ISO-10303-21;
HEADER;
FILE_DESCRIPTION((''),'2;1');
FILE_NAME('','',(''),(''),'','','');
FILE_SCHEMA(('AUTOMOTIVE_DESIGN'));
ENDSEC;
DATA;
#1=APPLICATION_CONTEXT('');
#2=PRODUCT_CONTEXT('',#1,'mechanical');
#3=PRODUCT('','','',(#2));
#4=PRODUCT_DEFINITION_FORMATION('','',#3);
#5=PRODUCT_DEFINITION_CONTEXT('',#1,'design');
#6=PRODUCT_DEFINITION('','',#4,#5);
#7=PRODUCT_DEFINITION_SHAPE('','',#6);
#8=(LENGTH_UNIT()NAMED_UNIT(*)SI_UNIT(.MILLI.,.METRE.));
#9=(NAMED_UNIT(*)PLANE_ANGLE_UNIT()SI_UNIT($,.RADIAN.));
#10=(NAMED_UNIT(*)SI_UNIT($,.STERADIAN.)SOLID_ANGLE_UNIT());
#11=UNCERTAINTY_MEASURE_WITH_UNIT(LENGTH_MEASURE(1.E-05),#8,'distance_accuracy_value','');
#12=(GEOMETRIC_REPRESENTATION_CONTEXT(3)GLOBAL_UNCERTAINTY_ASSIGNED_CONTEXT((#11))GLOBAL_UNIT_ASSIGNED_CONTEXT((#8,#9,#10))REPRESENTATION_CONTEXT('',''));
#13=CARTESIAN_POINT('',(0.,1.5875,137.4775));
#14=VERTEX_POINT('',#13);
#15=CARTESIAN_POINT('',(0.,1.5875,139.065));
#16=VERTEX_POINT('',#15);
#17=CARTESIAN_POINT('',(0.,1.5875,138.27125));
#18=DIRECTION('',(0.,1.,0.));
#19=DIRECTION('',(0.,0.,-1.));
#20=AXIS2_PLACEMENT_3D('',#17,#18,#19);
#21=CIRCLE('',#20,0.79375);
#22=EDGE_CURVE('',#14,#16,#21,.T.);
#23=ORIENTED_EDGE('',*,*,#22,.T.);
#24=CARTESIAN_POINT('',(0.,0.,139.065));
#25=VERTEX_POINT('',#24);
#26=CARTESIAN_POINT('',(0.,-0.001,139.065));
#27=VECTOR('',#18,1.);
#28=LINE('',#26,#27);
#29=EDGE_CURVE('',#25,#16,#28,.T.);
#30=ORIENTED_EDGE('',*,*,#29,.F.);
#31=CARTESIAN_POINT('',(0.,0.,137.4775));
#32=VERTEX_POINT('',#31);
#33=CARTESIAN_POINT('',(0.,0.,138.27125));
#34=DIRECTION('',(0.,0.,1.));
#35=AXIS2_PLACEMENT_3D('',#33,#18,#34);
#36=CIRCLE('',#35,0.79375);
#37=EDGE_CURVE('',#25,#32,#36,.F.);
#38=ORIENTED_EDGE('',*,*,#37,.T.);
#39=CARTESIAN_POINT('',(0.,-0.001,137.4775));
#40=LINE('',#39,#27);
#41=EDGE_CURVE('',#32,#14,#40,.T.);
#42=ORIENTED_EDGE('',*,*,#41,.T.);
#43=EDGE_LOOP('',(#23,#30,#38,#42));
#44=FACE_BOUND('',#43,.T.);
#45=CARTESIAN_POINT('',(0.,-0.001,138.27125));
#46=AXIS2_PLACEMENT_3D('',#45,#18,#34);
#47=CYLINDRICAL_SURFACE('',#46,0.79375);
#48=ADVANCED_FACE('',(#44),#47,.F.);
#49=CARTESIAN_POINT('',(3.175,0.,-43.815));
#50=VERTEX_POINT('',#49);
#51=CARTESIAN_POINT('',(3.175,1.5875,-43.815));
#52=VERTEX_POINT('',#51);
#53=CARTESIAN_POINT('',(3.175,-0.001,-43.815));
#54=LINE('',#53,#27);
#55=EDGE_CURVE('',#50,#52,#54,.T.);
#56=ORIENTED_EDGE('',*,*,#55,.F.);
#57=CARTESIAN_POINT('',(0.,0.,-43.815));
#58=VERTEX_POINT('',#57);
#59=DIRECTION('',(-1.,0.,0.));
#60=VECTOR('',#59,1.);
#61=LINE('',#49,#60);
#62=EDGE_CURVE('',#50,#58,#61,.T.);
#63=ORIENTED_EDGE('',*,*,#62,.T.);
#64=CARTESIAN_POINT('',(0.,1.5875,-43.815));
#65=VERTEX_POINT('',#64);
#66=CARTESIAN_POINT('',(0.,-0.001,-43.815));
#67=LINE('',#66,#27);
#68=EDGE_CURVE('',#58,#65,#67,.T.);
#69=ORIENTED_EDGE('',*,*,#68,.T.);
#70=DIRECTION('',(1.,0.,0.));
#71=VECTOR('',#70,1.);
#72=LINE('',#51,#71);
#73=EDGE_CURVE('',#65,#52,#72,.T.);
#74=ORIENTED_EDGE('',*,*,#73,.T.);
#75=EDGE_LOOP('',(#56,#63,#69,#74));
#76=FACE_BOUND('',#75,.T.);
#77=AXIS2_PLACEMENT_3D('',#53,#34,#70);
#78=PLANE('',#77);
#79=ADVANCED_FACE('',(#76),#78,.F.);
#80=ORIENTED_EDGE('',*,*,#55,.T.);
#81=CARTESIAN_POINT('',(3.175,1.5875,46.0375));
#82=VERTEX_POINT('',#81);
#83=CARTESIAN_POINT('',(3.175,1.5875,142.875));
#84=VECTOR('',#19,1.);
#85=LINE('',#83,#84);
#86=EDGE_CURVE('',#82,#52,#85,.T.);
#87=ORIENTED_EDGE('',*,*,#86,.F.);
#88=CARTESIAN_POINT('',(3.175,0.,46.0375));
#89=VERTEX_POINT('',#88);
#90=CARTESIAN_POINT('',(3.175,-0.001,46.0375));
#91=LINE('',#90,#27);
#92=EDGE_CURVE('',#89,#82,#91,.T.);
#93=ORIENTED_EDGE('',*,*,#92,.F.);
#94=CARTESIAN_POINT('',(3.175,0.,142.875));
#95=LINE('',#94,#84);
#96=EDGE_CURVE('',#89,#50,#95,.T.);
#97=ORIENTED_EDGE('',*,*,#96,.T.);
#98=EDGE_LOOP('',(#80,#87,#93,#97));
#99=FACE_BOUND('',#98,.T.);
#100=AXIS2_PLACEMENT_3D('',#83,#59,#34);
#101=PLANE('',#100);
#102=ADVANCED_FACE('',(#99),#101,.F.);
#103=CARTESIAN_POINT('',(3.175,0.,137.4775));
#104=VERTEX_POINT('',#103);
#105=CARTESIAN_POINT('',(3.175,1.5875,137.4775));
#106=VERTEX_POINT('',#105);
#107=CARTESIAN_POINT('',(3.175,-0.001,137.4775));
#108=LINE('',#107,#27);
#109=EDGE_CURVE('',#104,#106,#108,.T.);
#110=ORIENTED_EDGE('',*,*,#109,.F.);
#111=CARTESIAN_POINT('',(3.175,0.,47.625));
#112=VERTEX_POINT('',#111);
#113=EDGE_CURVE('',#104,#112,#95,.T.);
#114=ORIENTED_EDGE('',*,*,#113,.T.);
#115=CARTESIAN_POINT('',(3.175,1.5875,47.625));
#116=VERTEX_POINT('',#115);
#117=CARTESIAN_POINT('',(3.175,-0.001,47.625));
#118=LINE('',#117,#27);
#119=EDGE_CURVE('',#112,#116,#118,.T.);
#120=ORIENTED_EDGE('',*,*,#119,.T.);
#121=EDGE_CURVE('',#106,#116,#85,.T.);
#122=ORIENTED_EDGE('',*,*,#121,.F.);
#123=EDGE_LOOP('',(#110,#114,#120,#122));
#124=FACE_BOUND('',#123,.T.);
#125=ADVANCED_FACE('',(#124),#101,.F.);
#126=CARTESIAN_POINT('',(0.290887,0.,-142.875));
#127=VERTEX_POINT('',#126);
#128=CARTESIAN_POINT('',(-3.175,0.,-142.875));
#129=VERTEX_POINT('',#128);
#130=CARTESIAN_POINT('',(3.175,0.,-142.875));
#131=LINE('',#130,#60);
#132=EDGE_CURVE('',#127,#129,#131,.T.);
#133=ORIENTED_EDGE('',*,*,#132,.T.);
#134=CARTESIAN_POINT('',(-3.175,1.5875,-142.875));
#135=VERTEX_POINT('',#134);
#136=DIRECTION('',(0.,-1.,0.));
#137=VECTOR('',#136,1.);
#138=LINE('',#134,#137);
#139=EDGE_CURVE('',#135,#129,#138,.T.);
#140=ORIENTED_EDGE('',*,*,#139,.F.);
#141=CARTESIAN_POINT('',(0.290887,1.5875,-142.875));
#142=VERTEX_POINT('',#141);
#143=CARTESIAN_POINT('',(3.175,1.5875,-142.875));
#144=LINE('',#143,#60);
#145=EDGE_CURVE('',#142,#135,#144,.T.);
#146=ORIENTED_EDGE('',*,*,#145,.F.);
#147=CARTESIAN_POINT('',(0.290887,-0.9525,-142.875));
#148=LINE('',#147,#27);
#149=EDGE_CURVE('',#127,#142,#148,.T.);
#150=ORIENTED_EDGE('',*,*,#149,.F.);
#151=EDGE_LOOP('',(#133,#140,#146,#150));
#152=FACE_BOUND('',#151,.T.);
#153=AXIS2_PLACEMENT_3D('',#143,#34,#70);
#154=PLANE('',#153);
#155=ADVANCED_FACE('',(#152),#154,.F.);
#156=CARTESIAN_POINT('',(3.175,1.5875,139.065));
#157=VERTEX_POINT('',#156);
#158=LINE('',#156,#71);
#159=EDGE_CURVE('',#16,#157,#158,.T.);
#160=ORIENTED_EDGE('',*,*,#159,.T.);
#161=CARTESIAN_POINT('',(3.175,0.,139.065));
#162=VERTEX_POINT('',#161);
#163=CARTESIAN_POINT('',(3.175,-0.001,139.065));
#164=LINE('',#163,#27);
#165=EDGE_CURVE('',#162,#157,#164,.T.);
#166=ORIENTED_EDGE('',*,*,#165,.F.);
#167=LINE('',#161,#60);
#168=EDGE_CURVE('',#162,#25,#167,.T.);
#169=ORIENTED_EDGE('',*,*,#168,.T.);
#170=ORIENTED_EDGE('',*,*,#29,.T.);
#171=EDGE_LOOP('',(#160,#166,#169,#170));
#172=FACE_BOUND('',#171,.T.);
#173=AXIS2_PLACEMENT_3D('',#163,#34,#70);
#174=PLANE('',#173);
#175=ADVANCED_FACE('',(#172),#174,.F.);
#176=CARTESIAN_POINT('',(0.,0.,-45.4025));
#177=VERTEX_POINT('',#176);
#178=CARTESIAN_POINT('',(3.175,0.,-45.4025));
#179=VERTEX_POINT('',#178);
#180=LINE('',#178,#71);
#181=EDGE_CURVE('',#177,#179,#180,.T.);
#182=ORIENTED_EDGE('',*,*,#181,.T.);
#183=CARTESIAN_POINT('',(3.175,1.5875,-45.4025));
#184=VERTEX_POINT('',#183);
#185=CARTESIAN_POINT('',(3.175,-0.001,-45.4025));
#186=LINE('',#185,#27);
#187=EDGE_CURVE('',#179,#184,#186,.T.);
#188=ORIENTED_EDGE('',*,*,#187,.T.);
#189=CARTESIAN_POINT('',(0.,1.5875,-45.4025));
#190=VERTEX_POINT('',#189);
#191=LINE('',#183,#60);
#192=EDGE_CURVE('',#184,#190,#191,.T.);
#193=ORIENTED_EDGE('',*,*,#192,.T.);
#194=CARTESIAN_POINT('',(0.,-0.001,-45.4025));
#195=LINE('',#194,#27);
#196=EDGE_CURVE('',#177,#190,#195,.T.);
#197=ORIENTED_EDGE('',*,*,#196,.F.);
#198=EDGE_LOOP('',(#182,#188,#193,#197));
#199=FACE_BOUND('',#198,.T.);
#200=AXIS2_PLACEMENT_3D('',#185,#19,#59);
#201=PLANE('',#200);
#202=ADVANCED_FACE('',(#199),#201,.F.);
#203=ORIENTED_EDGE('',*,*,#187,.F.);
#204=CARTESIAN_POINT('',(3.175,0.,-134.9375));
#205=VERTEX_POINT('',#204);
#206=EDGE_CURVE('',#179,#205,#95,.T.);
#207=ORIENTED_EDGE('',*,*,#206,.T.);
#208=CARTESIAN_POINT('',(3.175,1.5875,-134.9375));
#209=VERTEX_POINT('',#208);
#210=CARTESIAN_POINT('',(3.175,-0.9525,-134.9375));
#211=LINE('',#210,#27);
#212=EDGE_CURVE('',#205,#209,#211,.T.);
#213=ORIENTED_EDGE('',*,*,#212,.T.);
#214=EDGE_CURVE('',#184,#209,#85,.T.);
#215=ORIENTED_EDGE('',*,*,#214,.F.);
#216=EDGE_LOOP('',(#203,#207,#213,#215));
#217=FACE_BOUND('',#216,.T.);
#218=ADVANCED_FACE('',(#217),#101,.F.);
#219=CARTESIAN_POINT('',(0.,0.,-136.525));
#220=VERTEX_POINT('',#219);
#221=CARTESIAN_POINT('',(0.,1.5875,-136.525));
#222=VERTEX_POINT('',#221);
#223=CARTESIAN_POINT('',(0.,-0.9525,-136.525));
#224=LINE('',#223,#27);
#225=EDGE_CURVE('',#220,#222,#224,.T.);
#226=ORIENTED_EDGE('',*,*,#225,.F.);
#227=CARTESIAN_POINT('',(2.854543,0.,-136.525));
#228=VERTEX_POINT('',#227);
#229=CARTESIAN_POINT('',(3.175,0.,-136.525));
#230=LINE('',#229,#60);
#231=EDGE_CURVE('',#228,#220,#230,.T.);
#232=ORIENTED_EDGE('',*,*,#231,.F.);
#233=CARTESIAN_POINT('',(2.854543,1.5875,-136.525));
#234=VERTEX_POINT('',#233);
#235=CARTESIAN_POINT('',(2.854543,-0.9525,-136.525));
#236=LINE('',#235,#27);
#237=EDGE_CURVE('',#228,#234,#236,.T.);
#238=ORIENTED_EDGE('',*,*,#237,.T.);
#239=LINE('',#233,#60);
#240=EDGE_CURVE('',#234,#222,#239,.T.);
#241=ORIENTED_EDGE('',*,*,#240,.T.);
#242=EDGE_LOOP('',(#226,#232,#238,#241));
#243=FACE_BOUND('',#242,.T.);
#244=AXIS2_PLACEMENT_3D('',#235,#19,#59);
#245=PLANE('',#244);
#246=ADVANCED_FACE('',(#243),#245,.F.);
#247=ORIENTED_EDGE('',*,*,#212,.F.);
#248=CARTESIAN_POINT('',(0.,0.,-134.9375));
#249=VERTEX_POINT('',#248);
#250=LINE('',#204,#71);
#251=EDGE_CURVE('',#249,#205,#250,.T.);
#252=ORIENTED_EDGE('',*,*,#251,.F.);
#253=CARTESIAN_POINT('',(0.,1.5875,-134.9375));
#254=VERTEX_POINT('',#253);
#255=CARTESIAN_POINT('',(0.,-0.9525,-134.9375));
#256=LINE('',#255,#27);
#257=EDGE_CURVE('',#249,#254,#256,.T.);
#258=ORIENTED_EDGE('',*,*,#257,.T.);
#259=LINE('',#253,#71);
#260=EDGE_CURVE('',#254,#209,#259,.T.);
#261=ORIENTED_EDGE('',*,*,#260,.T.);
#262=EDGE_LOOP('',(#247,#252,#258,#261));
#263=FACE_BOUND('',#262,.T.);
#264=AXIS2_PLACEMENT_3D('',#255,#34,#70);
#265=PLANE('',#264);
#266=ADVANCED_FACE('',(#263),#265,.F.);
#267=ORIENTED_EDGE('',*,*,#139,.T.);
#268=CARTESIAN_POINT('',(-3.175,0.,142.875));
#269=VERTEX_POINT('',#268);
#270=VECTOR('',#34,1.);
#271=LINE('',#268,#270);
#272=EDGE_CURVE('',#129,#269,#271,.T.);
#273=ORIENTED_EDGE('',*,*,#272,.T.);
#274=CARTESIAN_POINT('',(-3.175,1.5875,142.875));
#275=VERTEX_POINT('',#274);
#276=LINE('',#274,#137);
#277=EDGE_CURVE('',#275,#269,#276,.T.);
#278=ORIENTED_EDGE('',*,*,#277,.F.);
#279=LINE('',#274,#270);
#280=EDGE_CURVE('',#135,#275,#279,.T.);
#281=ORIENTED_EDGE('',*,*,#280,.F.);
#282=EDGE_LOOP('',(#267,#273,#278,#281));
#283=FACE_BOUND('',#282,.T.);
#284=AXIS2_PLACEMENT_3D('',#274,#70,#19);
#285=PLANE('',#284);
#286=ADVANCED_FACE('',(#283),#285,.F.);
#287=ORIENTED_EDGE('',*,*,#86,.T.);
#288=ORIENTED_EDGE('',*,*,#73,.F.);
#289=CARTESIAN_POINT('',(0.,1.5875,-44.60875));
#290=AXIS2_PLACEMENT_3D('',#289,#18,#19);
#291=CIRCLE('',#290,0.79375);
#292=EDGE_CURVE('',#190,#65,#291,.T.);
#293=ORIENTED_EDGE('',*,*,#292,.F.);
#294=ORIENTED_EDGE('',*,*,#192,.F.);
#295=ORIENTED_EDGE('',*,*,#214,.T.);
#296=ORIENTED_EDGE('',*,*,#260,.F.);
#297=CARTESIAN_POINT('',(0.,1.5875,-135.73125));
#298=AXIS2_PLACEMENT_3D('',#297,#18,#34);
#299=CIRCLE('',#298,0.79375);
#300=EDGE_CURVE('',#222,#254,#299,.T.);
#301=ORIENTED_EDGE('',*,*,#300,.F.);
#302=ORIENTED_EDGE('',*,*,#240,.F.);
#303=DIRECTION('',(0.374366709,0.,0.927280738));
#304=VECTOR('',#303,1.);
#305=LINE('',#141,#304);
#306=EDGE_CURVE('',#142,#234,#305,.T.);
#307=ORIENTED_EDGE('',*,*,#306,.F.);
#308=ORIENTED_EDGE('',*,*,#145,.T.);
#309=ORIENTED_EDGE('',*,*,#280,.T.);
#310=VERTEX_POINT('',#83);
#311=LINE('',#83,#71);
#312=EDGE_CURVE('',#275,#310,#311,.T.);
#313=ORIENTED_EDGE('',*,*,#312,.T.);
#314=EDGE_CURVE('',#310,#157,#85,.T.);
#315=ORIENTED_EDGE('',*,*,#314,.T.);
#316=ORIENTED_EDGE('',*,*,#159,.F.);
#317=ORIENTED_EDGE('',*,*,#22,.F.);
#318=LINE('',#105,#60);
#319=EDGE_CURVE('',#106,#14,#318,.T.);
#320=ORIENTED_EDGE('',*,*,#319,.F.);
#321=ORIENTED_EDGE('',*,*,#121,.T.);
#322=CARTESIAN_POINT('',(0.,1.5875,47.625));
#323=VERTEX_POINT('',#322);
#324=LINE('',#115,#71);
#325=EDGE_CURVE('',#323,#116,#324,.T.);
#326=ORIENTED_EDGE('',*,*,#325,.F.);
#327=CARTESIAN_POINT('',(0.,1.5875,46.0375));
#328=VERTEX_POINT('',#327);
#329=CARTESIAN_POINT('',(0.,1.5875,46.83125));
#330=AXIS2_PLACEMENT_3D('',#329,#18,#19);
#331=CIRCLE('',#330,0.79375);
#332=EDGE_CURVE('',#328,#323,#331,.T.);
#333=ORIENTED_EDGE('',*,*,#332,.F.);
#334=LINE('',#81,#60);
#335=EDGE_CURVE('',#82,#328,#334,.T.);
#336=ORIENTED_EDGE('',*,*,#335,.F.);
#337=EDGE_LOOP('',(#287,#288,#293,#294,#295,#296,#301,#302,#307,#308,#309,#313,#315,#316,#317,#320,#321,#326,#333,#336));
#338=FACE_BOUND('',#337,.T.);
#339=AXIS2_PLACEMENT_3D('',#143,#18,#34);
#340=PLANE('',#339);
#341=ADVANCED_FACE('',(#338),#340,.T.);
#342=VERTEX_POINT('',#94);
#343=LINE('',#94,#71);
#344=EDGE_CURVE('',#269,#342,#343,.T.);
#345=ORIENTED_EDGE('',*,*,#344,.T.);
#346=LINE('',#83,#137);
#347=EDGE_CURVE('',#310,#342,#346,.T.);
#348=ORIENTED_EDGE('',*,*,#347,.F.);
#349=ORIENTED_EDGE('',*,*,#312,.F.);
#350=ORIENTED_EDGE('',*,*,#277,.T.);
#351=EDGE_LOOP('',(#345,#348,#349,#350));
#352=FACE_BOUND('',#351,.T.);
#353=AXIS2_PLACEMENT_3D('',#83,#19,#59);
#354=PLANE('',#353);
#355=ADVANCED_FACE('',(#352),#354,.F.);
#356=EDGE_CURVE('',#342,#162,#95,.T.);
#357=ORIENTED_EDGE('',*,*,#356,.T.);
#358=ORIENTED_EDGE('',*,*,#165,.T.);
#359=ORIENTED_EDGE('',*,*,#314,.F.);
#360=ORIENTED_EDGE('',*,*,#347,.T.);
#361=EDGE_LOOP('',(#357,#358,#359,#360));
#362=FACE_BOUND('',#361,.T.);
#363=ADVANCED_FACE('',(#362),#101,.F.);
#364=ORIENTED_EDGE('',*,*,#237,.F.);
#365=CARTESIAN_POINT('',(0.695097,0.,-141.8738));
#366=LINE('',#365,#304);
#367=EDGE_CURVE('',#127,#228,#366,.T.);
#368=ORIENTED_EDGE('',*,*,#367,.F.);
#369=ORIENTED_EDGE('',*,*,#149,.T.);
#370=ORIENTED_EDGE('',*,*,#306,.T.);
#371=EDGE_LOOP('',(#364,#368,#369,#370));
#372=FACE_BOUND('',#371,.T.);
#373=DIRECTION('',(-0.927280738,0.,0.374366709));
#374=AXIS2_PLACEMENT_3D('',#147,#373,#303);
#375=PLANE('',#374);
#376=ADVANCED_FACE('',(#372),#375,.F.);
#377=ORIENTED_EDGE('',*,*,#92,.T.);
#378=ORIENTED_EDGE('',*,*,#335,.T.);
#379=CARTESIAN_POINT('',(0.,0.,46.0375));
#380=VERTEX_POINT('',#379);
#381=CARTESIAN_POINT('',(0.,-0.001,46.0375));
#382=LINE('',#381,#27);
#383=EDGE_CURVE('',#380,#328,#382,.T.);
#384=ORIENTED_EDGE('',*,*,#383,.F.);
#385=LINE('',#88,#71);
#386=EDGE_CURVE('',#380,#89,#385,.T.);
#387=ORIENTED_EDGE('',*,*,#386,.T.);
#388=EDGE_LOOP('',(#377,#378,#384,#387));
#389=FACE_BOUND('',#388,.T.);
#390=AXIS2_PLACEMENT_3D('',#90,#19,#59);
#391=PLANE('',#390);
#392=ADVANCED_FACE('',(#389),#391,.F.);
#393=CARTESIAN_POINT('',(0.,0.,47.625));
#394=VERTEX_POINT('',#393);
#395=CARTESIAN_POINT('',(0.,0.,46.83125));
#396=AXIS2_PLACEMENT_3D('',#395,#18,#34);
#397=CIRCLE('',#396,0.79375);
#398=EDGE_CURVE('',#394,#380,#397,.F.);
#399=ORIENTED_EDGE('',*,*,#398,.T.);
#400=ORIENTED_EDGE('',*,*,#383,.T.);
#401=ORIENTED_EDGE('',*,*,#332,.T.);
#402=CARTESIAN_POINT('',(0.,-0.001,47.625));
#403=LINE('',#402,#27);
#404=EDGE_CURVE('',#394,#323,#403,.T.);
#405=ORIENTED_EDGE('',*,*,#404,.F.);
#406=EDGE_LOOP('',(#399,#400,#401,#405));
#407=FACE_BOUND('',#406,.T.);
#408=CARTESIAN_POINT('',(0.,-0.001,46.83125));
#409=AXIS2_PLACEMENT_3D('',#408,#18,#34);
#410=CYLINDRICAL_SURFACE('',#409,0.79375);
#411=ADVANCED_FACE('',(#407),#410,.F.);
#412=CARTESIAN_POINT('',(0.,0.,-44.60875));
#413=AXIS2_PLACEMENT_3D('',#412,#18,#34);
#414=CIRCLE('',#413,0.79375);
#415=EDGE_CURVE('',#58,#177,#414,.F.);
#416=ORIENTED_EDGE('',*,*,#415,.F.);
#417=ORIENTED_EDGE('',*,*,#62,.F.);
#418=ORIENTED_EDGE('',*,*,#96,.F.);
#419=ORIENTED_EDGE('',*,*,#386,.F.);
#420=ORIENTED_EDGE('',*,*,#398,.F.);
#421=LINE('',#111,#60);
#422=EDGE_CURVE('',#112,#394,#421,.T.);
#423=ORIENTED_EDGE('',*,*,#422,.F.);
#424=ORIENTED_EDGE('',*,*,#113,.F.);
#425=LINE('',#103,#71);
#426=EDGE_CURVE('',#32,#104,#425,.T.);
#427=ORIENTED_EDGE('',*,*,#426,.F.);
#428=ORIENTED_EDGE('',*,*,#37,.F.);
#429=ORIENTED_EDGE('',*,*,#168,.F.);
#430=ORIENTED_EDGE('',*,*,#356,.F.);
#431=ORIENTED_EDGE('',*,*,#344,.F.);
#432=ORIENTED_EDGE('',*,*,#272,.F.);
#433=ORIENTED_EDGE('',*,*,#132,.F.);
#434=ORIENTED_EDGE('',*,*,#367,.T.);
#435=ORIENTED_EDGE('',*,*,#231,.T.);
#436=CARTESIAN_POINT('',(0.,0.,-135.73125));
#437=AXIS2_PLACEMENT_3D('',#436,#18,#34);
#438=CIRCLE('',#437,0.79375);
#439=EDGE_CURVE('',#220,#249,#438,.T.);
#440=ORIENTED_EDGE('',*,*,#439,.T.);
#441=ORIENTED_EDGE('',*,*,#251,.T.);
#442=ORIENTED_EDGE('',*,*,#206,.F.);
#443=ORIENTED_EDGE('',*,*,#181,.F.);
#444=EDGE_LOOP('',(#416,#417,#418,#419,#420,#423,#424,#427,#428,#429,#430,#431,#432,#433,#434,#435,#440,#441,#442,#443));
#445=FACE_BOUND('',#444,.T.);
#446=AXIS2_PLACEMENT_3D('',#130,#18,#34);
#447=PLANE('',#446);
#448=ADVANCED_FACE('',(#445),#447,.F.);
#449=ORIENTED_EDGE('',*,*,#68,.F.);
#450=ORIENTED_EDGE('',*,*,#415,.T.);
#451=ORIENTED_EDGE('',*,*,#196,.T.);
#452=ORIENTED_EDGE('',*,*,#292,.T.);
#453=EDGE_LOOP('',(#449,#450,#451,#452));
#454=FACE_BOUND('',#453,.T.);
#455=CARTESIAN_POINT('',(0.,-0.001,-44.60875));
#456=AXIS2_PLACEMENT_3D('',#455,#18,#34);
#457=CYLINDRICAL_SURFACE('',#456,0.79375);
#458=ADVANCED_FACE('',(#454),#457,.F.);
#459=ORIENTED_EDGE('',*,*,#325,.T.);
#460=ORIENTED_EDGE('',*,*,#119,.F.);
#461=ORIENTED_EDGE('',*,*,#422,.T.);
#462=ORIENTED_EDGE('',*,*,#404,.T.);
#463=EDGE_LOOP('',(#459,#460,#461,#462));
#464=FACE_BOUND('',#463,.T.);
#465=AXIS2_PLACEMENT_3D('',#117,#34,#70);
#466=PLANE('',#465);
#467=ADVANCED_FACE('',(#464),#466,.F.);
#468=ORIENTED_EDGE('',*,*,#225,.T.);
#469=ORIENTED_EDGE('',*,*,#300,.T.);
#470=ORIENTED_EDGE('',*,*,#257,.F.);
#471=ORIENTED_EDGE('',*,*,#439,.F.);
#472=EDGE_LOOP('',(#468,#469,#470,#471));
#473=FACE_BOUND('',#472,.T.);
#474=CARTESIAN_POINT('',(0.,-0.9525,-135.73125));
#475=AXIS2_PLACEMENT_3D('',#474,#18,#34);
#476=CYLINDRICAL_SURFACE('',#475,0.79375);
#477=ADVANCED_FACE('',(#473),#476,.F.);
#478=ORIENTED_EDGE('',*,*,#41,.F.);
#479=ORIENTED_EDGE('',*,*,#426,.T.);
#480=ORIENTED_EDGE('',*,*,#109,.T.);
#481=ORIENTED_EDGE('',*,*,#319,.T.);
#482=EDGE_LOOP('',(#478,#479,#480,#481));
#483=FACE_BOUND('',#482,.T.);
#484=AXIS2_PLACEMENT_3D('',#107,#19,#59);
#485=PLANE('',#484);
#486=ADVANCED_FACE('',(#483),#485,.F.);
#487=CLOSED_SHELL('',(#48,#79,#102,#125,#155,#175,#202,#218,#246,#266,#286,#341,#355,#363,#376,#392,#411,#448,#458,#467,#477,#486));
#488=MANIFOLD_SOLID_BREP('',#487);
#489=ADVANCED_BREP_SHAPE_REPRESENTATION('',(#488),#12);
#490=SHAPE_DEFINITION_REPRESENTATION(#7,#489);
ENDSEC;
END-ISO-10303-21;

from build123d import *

# Parameters (mm, degrees)
SKETCH1_W           = 6.35
SKETCH1_H           = 285.75
BOSS_EXTRUDE1_DEPTH = 1.5875
CUT_EXTRUDE1_REACH  = 144.919
LPATTERN1_COUNT     = 3
LPATTERN1_PITCH     = 91.44
CUT_EXTRUDE3_DEPTH  = 2.54


with BuildPart() as part:
    # Sketch1 → Boss-Extrude1 (new body)
    with BuildSketch(Plane(origin=(0, 0, 0), x_dir=(1, 0, 0), z_dir=(0, 1, 0))):
        Rectangle(SKETCH1_W, SKETCH1_H)
    extrude(amount=BOSS_EXTRUDE1_DEPTH)

    # Sketch2 → Cut-Extrude1 (cut, up to next)
    with BuildSketch(Plane(origin=(0, 1.5875, 0), x_dir=(1, 0, 0), z_dir=(0, 1, 0)), mode=Mode.PRIVATE) as cut_extrude1_sk1:
        with BuildLine():
            Line((3.175, -139.065), (0, -139.065))
            ThreePointArc((0, -139.065), (-0.79375, -138.27125), (0, -137.4775))
            Line((0, -137.4775), (3.175, -137.4775))
            Line((3.175, -137.4775), (3.175, -139.065))
        make_face()
    cut_extrude1_tool1 = extrude(cut_extrude1_sk1.sketch, amount=-CUT_EXTRUDE1_REACH, mode=Mode.PRIVATE) & part.part
    cut_extrude1 = cut_extrude1_tool1.solids().sort_by_distance((1.271664, 1.5875, 138.27125))[0]
    add(cut_extrude1, mode=Mode.SUBTRACT)

    # LPattern1: Cut-Extrude1 ×3
    with Locations(*[(0, 0, -i * LPATTERN1_PITCH) for i in range(1, LPATTERN1_COUNT)]):
        add(cut_extrude1, mode=Mode.SUBTRACT)

    # Sketch4 → Cut-Extrude3 (cut)
    with BuildSketch(Plane(origin=(0, 1.5875, 0), x_dir=(-1, 0, 0), z_dir=(0, 1, 0))):
        with BuildLine():
            Line((-2.85454303, -136.525), (0, -136.525))
            ThreePointArc((0, -136.525), (0.79375, -135.73125), (0, -134.9375))
            Line((0, -134.9375), (-3.175, -134.9375))
            Line((-3.175, -134.9375), (-3.175, -142.875))
            Line((-3.175, -142.875), (-0.290887271, -142.875))
            Line((-0.290887271, -142.875), (-2.85454303, -136.525))
        make_face()
    extrude(amount=-CUT_EXTRUDE3_DEPTH, mode=Mode.SUBTRACT)


solid = part.part
